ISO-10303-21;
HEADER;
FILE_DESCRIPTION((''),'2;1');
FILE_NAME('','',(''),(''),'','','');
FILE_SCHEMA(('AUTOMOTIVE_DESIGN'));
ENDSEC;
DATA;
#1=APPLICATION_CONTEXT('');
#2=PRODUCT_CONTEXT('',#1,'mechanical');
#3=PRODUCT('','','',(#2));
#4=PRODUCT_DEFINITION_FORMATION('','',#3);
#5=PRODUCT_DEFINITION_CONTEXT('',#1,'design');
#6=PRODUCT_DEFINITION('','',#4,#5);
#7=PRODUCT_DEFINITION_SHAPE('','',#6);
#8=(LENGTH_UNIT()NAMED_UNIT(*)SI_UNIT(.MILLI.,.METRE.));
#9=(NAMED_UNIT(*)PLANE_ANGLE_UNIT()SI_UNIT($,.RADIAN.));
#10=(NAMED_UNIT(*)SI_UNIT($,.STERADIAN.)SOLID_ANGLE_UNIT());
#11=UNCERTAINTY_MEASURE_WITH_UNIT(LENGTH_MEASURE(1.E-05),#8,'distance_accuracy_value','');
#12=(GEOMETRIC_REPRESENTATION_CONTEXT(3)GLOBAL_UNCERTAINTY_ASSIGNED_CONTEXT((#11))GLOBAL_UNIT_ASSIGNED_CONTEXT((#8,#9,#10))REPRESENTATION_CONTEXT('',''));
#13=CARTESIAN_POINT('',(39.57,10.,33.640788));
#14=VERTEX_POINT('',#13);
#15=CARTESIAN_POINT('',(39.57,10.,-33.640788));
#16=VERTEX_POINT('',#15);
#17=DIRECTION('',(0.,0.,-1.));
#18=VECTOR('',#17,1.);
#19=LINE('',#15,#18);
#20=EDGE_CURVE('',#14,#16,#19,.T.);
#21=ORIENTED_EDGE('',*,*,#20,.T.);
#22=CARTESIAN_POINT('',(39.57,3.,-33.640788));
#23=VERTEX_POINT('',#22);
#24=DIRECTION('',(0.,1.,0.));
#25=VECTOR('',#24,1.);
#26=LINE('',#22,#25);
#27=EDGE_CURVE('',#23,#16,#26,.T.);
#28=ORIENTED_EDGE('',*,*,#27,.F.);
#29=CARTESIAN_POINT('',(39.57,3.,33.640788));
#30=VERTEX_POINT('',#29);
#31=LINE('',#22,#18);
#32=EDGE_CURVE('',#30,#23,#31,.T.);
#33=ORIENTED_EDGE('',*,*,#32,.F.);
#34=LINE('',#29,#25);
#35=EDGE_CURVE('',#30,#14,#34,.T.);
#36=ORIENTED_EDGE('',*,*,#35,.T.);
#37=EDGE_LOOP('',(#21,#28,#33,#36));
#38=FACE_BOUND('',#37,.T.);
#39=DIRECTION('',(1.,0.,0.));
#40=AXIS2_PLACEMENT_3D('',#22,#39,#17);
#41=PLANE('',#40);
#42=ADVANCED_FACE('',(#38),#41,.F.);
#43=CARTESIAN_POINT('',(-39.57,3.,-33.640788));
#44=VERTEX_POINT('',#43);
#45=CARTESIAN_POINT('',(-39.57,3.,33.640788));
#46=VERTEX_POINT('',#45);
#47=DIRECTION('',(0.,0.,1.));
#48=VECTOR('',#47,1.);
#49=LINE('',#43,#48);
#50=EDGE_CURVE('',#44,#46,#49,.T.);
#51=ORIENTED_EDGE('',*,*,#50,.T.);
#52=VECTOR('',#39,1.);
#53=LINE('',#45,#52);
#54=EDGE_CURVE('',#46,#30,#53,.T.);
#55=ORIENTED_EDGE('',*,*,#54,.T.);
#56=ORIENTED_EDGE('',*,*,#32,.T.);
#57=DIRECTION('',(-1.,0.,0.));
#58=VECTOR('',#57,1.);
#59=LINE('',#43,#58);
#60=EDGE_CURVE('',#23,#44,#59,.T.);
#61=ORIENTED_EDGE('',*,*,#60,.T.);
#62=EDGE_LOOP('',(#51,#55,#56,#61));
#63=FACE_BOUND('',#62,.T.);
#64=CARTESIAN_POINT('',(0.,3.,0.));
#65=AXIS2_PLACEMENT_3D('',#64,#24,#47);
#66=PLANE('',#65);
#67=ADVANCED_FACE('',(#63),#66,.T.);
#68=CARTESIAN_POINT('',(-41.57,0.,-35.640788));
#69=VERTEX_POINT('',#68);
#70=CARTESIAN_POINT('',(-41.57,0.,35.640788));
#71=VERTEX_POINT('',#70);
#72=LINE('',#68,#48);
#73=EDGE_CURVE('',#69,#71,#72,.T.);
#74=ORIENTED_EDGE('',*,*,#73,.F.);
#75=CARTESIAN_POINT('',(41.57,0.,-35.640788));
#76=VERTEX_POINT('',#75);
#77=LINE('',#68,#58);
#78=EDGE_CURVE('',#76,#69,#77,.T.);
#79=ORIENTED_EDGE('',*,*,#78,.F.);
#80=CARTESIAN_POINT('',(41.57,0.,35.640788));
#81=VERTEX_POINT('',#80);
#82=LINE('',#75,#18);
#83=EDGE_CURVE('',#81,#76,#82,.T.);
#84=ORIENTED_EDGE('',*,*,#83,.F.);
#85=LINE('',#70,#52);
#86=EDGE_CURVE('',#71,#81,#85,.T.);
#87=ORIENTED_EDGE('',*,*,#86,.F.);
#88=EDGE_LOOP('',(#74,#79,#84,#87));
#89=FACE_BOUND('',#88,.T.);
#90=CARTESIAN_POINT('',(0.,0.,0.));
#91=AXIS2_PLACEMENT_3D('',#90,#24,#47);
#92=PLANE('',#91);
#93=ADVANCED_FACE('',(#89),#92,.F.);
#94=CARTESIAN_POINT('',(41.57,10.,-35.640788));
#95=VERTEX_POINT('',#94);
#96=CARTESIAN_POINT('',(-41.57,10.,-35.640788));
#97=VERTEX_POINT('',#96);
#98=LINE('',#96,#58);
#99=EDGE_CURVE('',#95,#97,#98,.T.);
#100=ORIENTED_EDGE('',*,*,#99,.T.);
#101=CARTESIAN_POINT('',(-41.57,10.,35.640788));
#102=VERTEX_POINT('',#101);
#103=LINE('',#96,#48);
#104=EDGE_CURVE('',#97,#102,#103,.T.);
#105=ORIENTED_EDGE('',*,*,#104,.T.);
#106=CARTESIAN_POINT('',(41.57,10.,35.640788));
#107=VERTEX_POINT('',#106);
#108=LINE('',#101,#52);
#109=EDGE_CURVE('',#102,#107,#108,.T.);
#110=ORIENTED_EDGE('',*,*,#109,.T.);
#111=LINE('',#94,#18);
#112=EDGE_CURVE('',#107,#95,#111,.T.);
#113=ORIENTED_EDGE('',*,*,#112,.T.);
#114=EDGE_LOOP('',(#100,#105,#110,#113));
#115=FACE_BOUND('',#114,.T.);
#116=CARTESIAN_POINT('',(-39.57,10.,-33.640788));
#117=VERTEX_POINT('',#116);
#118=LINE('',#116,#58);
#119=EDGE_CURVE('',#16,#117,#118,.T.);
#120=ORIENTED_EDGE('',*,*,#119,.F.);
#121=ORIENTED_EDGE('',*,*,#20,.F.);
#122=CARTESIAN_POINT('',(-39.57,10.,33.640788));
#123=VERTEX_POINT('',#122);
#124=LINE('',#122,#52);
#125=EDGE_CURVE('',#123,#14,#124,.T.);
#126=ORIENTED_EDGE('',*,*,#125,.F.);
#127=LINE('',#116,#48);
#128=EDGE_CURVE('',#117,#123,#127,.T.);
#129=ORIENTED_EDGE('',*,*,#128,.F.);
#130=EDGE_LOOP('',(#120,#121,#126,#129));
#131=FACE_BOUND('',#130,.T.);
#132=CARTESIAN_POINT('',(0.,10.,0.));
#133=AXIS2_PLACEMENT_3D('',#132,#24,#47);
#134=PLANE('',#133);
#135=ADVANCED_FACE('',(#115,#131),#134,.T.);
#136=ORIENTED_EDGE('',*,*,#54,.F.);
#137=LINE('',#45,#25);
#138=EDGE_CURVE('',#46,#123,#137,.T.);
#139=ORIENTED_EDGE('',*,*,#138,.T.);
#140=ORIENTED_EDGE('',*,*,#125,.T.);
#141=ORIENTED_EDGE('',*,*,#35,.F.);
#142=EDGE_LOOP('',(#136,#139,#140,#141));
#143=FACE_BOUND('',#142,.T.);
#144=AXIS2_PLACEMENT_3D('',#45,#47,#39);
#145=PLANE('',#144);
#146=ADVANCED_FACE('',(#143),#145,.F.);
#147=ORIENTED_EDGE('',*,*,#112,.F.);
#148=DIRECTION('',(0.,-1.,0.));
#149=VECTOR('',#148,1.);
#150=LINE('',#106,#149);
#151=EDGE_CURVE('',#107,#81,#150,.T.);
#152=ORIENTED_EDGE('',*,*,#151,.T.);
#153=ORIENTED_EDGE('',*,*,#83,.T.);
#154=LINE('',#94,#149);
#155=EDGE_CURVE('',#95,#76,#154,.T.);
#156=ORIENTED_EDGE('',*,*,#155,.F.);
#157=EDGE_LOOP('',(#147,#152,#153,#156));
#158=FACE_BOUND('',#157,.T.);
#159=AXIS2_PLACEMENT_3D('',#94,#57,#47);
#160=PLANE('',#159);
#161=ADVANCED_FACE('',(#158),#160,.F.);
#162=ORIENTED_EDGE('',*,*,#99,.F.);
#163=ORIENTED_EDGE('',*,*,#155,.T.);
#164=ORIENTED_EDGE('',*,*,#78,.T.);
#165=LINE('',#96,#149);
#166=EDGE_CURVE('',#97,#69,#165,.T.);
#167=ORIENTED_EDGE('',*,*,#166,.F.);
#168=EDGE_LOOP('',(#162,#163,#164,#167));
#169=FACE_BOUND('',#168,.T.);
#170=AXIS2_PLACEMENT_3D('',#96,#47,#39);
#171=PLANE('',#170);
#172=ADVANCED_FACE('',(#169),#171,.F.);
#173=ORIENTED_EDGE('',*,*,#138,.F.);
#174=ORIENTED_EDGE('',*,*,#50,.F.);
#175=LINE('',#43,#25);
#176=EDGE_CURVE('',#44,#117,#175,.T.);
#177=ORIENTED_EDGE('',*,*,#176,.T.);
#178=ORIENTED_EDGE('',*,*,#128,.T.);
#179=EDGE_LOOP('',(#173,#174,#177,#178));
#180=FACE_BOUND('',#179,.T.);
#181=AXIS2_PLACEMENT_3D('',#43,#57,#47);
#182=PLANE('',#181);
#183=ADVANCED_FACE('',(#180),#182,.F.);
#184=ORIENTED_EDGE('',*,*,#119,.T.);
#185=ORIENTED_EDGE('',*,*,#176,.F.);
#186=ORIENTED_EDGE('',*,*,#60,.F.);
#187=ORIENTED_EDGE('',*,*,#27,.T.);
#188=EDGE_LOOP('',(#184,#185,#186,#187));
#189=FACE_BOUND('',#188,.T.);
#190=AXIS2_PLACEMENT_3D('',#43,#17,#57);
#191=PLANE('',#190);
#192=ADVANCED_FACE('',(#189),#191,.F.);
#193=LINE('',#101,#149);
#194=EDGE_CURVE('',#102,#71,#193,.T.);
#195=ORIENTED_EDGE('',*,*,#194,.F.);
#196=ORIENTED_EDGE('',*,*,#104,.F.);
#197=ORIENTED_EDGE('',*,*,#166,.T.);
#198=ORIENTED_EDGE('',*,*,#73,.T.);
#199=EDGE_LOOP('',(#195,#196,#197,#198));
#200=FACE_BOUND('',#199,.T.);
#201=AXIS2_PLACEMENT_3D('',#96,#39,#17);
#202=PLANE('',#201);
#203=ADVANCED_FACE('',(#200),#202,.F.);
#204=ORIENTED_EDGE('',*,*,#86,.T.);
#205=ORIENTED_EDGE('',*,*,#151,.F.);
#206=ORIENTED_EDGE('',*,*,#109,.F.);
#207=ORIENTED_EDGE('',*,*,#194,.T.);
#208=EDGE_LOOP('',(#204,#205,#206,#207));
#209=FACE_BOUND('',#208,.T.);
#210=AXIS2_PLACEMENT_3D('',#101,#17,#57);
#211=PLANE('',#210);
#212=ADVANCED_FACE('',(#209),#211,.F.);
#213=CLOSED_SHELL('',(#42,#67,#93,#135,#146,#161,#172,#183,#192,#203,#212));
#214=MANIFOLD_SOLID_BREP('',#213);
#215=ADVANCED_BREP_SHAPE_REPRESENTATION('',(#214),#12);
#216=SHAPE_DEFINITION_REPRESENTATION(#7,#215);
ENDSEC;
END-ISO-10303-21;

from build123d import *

# Parameters (mm, degrees)
SKETCH1_W           = 83.14
SKETCH1_H           = 71.281576044
BOSS_EXTRUDE1_DEPTH = 10
SKETCH2_W           = 79.14
SKETCH2_H           = 67.281576044
CUT_EXTRUDE1_DEPTH  = 7


with BuildPart() as part:
    # Sketch1 → Boss-Extrude1 (new body)
    with BuildSketch(Plane(origin=(0, 0, 0), x_dir=(1, 0, 0), z_dir=(0, 1, 0))):
        Rectangle(SKETCH1_W, SKETCH1_H)
    extrude(amount=BOSS_EXTRUDE1_DEPTH)

    # Sketch2 → Cut-Extrude1 (cut)
    with BuildSketch(Plane(origin=(0, 10, 0), x_dir=(1, 0, 0), z_dir=(0, 1, 0))):
        Rectangle(SKETCH2_W, SKETCH2_H)
    extrude(amount=-CUT_EXTRUDE1_DEPTH, mode=Mode.SUBTRACT)


solid = part.part
